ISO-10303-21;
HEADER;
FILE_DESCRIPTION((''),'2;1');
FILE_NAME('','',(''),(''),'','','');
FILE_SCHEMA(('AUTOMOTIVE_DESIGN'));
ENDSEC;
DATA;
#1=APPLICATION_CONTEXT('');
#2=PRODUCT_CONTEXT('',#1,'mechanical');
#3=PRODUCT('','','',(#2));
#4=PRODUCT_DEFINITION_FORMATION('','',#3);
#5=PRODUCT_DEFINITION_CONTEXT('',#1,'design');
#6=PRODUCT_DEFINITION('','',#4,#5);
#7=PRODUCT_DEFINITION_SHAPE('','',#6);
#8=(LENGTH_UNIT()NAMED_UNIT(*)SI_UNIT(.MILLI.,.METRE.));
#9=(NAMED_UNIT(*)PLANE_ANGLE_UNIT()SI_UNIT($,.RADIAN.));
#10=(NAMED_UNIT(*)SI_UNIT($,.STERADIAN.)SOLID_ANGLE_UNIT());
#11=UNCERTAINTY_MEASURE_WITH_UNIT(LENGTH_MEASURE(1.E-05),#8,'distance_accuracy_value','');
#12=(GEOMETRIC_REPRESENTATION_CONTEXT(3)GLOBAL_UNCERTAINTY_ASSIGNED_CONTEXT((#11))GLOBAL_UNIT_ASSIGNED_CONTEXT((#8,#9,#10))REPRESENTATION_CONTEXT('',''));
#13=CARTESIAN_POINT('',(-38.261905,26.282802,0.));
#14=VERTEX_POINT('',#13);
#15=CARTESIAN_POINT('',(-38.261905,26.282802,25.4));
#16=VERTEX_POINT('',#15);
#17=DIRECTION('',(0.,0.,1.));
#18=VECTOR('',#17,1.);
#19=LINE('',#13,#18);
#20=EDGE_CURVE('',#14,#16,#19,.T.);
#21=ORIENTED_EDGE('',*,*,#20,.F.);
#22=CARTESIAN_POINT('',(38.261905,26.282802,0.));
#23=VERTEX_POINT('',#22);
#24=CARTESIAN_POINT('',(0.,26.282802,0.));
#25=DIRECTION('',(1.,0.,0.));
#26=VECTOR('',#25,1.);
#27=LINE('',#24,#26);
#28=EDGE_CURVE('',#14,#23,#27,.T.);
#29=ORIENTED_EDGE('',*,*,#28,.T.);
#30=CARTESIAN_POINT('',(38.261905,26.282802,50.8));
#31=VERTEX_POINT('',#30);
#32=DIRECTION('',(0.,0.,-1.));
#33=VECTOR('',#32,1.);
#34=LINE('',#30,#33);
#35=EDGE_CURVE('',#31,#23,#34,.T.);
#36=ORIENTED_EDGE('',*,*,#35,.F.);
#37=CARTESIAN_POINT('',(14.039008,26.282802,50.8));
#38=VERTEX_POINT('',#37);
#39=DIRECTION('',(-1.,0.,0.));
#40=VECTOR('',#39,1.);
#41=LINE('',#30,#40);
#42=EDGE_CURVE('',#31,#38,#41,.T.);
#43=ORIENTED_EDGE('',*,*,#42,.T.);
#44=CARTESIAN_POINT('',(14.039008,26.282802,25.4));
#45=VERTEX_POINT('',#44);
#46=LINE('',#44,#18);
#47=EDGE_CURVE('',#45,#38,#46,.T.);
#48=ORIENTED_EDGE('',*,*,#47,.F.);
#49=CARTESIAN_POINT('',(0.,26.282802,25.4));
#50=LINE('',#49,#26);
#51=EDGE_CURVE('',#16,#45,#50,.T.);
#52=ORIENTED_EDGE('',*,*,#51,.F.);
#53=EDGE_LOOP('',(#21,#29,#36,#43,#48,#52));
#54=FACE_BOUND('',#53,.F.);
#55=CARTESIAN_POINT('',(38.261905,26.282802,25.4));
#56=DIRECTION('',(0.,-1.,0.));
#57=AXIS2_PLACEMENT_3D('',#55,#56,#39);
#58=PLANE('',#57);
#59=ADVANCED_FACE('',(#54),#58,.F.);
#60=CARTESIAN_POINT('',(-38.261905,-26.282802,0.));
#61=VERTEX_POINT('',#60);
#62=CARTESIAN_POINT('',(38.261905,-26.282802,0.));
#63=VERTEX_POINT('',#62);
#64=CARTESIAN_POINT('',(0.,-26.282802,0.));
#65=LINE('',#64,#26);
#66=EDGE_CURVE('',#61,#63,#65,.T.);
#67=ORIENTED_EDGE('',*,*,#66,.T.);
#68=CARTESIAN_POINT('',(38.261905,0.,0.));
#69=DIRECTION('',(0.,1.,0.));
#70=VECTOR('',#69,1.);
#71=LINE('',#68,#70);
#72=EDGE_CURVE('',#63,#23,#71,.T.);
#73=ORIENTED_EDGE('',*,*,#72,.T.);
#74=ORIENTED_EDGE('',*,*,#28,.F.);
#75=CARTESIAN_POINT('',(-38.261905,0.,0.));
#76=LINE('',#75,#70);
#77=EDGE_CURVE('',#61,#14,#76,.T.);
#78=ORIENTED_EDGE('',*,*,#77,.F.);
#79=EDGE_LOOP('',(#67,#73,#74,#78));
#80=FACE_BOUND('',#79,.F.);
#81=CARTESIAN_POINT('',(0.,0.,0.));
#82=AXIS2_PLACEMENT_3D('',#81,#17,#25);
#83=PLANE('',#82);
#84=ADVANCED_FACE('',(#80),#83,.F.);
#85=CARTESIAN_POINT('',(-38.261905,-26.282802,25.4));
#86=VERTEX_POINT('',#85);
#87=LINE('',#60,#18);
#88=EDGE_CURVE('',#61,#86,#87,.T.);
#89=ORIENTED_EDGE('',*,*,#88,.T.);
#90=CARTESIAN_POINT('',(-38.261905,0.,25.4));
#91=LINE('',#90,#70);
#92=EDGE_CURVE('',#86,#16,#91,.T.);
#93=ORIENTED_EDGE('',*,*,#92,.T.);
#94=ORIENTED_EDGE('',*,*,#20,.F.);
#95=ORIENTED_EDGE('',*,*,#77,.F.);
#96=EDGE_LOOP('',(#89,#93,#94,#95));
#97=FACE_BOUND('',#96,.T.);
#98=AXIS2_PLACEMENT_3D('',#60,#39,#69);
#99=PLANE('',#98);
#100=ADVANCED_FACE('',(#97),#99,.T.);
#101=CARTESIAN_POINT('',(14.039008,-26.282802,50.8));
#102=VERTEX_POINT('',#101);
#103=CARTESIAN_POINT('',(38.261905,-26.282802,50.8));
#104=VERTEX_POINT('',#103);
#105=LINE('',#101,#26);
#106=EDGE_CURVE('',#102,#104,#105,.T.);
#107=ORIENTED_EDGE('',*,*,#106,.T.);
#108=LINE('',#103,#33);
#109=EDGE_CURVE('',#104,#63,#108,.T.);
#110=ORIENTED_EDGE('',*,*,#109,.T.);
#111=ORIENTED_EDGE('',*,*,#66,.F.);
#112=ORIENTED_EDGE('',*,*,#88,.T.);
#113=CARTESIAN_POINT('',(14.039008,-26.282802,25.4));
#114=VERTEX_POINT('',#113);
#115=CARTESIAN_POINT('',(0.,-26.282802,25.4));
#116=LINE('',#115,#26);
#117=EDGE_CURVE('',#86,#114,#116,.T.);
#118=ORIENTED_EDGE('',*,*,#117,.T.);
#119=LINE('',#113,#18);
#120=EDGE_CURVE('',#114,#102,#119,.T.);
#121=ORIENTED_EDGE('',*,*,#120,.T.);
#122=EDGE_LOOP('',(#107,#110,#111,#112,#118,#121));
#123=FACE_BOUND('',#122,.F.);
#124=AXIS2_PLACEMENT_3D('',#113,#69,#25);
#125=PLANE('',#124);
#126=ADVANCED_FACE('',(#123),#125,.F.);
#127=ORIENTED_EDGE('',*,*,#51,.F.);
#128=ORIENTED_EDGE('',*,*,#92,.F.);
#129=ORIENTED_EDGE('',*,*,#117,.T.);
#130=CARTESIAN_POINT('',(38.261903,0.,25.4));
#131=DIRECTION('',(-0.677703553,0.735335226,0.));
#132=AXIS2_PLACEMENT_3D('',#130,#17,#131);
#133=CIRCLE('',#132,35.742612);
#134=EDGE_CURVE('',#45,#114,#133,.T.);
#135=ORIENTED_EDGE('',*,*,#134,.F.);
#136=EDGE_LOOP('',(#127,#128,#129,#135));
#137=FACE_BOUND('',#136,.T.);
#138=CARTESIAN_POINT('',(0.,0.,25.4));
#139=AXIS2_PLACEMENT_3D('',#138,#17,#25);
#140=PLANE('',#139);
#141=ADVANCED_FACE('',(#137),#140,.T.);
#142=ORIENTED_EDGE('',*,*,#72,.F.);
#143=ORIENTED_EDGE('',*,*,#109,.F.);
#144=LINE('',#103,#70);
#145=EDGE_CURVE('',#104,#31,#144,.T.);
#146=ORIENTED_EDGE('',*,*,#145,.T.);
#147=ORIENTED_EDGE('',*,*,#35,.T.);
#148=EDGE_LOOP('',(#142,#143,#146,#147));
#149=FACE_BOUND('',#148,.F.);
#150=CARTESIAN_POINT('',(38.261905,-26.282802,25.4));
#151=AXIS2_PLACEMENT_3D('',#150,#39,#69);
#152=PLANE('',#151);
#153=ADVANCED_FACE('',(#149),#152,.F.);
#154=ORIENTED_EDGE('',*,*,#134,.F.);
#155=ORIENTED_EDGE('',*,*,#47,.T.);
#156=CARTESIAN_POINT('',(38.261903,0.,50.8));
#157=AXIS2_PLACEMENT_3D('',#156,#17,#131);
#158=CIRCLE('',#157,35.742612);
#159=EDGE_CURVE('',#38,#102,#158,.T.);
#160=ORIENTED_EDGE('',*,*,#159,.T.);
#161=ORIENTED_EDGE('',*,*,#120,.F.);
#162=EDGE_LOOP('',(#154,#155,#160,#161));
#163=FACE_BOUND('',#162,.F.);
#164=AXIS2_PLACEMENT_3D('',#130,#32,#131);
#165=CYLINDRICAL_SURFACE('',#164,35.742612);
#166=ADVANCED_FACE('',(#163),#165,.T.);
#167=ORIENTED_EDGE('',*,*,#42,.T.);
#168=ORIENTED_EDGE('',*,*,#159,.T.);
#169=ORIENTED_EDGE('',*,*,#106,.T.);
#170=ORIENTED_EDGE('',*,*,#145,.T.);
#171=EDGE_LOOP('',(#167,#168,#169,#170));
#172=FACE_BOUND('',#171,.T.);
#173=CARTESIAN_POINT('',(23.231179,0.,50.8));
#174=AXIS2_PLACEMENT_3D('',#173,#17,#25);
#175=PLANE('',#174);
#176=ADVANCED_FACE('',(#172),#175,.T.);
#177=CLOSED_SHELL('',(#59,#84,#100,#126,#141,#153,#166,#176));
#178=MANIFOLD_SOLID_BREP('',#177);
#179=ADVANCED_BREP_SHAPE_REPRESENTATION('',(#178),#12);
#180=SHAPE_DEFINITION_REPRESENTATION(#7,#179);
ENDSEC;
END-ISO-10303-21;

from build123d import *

# Parameters (mm, degrees)
F0_W     = 76.52381
F0_H     = 52.565604
F1_DEPTH = 25.4
F3_DEPTH = 25.4


with BuildPart() as f1:
    # F0 (on Top) → F1 (new body)
    with BuildSketch(Plane.XY):
        Rectangle(F0_W, F0_H)
    extrude(amount=F1_DEPTH)

    # F2 (on face) → F3 (join)
    with BuildSketch(Plane.XY.offset(25.4)):
        with BuildLine():
            Line((38.261905, 26.282802), (14.039008, 26.282802))
            ThreePointArc((14.039008, 26.282802), (2.519291, 0), (14.039008, -26.282802))
            Line((14.039008, -26.282802), (38.261905, -26.282802))
            Line((38.261905, -26.282802), (38.261905, 26.282802))
        make_face()
    extrude(amount=F3_DEPTH)


solid = f1.part
